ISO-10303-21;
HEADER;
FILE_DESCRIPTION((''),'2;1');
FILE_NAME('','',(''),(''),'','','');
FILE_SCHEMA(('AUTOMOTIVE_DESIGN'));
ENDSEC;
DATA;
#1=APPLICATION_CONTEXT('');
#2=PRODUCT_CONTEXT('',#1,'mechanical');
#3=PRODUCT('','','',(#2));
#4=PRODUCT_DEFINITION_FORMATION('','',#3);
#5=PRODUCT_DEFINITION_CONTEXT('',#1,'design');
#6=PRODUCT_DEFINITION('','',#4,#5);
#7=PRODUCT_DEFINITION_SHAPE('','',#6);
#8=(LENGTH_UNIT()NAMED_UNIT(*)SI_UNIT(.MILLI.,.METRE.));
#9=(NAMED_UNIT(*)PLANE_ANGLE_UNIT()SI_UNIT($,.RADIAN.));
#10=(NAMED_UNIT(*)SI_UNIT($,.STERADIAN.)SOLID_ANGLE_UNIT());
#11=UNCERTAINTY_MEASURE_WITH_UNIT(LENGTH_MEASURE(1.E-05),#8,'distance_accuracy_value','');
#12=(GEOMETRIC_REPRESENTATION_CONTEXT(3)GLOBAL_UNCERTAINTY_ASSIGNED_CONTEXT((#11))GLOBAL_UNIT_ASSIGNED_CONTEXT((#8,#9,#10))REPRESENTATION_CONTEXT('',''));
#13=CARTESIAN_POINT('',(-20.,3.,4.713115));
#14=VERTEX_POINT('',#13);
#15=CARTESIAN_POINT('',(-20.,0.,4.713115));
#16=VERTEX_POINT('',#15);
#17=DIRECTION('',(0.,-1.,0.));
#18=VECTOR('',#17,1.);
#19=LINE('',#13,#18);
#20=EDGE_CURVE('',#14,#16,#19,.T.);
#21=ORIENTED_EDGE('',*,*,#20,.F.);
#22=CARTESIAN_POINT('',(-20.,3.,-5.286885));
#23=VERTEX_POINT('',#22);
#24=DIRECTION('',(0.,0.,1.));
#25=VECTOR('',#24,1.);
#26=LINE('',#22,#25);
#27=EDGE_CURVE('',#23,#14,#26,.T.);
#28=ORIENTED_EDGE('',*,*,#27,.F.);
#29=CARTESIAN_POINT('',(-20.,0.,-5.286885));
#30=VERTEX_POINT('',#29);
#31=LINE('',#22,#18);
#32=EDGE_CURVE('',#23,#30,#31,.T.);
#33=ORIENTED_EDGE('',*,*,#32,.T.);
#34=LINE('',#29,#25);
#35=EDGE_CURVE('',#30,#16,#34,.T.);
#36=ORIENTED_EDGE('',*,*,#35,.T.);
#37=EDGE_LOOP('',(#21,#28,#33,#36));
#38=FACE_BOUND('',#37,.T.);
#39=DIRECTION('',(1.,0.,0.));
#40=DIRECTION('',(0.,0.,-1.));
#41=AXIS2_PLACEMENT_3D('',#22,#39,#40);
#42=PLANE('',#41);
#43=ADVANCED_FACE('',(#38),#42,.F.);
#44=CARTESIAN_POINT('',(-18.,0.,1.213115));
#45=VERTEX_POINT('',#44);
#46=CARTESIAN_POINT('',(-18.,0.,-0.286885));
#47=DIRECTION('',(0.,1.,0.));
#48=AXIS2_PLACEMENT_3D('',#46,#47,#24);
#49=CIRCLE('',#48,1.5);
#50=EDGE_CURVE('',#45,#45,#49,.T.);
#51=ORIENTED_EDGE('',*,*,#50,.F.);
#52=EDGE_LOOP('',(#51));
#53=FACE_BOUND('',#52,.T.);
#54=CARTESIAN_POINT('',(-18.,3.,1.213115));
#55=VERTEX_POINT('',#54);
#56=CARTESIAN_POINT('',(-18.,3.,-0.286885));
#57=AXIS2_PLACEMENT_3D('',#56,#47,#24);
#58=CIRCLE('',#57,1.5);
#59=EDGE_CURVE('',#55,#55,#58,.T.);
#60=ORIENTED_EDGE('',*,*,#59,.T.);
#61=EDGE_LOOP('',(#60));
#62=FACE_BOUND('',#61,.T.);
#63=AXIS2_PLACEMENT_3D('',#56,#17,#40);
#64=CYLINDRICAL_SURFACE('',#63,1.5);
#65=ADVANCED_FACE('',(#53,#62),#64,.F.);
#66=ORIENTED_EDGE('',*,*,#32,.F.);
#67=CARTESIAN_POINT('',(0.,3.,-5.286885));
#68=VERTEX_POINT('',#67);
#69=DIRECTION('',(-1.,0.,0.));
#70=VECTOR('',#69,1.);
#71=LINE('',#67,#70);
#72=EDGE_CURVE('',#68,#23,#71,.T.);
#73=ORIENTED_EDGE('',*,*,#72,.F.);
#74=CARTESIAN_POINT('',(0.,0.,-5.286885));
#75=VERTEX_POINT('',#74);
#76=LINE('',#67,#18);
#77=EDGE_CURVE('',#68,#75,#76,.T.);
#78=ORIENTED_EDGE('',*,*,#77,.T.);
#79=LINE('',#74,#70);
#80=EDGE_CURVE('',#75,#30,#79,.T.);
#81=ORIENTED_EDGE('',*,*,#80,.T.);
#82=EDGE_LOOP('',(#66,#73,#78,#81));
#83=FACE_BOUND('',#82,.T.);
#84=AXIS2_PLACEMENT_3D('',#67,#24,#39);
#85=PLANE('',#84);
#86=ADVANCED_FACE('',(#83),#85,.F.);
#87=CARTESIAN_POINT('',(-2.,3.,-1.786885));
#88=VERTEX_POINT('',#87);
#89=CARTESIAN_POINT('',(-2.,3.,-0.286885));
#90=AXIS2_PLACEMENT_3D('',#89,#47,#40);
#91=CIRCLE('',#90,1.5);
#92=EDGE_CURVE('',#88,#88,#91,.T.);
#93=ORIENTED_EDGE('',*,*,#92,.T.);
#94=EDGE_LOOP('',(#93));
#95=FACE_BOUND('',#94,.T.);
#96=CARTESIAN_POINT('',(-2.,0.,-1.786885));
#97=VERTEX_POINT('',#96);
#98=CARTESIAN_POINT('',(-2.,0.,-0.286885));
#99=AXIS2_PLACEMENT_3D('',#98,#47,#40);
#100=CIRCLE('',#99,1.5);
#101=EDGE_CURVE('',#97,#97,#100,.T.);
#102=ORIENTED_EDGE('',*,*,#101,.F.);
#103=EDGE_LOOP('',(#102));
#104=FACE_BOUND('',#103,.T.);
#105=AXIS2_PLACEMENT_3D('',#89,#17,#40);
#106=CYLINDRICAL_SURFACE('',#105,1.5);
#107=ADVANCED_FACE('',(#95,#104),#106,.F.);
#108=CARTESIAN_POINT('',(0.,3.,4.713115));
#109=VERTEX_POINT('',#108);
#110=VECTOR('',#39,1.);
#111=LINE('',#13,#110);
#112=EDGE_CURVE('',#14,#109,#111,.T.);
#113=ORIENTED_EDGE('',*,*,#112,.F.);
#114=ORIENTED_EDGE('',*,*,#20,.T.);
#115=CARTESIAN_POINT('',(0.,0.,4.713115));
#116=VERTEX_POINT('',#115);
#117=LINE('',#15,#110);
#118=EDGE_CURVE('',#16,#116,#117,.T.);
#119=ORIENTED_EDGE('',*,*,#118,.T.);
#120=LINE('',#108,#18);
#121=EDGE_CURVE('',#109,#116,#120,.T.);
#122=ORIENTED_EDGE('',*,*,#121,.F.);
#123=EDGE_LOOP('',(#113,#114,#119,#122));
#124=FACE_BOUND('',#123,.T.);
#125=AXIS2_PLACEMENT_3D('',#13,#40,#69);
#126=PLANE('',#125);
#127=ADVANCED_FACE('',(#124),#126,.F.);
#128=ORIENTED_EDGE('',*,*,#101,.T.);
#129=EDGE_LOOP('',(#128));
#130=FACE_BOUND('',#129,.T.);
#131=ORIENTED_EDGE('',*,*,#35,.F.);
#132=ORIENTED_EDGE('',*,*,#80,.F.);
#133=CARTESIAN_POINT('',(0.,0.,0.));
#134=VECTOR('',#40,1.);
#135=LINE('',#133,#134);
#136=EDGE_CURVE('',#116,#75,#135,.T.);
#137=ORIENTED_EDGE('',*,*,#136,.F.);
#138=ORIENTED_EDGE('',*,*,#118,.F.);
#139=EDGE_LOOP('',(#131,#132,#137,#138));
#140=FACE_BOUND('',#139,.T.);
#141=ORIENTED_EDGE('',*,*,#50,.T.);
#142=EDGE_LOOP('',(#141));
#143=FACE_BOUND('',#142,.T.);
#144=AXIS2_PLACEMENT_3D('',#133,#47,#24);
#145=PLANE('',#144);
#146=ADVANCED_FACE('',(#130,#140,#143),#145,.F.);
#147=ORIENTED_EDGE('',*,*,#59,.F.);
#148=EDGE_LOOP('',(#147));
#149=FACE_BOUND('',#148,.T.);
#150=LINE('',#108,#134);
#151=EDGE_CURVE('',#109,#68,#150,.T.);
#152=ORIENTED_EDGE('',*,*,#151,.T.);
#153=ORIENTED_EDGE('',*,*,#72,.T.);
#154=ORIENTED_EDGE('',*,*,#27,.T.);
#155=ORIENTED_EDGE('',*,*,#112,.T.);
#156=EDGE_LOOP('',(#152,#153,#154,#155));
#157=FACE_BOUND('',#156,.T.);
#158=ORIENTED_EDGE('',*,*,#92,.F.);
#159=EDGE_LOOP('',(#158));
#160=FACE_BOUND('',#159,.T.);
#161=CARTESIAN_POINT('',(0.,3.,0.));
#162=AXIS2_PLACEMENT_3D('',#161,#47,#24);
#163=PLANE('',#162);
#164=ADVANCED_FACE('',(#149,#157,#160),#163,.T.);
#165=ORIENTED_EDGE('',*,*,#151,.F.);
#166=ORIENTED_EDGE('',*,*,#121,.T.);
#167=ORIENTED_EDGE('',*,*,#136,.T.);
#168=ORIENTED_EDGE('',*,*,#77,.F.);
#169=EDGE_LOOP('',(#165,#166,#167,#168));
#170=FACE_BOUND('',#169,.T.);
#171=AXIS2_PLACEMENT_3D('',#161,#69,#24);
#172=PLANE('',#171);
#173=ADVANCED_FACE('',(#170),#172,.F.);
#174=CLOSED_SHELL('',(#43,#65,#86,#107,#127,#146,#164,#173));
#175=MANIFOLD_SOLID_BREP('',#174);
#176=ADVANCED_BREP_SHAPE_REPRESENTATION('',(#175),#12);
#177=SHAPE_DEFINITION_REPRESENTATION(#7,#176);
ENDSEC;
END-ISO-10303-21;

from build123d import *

# Parameters (mm, degrees)
SKETCH_1_R      = 1.5
EXTRUDE_1_DEPTH = 3


with BuildPart() as part:
    # 草图1 → 凸台-拉伸1 (new body)
    with BuildSketch(Plane(origin=(0, 0, 0), x_dir=(1, 0, 0), z_dir=(0, 1, 0))):
        Polygon((0, 0), (0, 5.286885246), (-20, 5.286885246), (-20, -4.713114754), (0, -4.713114754), align=None)
        with Locations((-18, 0.286885246)):
            Circle(SKETCH_1_R, mode=Mode.SUBTRACT)
        with Locations((-2, 0.286885246)):
            Circle(SKETCH_1_R, mode=Mode.SUBTRACT)
    extrude(amount=EXTRUDE_1_DEPTH)


solid = part.part
